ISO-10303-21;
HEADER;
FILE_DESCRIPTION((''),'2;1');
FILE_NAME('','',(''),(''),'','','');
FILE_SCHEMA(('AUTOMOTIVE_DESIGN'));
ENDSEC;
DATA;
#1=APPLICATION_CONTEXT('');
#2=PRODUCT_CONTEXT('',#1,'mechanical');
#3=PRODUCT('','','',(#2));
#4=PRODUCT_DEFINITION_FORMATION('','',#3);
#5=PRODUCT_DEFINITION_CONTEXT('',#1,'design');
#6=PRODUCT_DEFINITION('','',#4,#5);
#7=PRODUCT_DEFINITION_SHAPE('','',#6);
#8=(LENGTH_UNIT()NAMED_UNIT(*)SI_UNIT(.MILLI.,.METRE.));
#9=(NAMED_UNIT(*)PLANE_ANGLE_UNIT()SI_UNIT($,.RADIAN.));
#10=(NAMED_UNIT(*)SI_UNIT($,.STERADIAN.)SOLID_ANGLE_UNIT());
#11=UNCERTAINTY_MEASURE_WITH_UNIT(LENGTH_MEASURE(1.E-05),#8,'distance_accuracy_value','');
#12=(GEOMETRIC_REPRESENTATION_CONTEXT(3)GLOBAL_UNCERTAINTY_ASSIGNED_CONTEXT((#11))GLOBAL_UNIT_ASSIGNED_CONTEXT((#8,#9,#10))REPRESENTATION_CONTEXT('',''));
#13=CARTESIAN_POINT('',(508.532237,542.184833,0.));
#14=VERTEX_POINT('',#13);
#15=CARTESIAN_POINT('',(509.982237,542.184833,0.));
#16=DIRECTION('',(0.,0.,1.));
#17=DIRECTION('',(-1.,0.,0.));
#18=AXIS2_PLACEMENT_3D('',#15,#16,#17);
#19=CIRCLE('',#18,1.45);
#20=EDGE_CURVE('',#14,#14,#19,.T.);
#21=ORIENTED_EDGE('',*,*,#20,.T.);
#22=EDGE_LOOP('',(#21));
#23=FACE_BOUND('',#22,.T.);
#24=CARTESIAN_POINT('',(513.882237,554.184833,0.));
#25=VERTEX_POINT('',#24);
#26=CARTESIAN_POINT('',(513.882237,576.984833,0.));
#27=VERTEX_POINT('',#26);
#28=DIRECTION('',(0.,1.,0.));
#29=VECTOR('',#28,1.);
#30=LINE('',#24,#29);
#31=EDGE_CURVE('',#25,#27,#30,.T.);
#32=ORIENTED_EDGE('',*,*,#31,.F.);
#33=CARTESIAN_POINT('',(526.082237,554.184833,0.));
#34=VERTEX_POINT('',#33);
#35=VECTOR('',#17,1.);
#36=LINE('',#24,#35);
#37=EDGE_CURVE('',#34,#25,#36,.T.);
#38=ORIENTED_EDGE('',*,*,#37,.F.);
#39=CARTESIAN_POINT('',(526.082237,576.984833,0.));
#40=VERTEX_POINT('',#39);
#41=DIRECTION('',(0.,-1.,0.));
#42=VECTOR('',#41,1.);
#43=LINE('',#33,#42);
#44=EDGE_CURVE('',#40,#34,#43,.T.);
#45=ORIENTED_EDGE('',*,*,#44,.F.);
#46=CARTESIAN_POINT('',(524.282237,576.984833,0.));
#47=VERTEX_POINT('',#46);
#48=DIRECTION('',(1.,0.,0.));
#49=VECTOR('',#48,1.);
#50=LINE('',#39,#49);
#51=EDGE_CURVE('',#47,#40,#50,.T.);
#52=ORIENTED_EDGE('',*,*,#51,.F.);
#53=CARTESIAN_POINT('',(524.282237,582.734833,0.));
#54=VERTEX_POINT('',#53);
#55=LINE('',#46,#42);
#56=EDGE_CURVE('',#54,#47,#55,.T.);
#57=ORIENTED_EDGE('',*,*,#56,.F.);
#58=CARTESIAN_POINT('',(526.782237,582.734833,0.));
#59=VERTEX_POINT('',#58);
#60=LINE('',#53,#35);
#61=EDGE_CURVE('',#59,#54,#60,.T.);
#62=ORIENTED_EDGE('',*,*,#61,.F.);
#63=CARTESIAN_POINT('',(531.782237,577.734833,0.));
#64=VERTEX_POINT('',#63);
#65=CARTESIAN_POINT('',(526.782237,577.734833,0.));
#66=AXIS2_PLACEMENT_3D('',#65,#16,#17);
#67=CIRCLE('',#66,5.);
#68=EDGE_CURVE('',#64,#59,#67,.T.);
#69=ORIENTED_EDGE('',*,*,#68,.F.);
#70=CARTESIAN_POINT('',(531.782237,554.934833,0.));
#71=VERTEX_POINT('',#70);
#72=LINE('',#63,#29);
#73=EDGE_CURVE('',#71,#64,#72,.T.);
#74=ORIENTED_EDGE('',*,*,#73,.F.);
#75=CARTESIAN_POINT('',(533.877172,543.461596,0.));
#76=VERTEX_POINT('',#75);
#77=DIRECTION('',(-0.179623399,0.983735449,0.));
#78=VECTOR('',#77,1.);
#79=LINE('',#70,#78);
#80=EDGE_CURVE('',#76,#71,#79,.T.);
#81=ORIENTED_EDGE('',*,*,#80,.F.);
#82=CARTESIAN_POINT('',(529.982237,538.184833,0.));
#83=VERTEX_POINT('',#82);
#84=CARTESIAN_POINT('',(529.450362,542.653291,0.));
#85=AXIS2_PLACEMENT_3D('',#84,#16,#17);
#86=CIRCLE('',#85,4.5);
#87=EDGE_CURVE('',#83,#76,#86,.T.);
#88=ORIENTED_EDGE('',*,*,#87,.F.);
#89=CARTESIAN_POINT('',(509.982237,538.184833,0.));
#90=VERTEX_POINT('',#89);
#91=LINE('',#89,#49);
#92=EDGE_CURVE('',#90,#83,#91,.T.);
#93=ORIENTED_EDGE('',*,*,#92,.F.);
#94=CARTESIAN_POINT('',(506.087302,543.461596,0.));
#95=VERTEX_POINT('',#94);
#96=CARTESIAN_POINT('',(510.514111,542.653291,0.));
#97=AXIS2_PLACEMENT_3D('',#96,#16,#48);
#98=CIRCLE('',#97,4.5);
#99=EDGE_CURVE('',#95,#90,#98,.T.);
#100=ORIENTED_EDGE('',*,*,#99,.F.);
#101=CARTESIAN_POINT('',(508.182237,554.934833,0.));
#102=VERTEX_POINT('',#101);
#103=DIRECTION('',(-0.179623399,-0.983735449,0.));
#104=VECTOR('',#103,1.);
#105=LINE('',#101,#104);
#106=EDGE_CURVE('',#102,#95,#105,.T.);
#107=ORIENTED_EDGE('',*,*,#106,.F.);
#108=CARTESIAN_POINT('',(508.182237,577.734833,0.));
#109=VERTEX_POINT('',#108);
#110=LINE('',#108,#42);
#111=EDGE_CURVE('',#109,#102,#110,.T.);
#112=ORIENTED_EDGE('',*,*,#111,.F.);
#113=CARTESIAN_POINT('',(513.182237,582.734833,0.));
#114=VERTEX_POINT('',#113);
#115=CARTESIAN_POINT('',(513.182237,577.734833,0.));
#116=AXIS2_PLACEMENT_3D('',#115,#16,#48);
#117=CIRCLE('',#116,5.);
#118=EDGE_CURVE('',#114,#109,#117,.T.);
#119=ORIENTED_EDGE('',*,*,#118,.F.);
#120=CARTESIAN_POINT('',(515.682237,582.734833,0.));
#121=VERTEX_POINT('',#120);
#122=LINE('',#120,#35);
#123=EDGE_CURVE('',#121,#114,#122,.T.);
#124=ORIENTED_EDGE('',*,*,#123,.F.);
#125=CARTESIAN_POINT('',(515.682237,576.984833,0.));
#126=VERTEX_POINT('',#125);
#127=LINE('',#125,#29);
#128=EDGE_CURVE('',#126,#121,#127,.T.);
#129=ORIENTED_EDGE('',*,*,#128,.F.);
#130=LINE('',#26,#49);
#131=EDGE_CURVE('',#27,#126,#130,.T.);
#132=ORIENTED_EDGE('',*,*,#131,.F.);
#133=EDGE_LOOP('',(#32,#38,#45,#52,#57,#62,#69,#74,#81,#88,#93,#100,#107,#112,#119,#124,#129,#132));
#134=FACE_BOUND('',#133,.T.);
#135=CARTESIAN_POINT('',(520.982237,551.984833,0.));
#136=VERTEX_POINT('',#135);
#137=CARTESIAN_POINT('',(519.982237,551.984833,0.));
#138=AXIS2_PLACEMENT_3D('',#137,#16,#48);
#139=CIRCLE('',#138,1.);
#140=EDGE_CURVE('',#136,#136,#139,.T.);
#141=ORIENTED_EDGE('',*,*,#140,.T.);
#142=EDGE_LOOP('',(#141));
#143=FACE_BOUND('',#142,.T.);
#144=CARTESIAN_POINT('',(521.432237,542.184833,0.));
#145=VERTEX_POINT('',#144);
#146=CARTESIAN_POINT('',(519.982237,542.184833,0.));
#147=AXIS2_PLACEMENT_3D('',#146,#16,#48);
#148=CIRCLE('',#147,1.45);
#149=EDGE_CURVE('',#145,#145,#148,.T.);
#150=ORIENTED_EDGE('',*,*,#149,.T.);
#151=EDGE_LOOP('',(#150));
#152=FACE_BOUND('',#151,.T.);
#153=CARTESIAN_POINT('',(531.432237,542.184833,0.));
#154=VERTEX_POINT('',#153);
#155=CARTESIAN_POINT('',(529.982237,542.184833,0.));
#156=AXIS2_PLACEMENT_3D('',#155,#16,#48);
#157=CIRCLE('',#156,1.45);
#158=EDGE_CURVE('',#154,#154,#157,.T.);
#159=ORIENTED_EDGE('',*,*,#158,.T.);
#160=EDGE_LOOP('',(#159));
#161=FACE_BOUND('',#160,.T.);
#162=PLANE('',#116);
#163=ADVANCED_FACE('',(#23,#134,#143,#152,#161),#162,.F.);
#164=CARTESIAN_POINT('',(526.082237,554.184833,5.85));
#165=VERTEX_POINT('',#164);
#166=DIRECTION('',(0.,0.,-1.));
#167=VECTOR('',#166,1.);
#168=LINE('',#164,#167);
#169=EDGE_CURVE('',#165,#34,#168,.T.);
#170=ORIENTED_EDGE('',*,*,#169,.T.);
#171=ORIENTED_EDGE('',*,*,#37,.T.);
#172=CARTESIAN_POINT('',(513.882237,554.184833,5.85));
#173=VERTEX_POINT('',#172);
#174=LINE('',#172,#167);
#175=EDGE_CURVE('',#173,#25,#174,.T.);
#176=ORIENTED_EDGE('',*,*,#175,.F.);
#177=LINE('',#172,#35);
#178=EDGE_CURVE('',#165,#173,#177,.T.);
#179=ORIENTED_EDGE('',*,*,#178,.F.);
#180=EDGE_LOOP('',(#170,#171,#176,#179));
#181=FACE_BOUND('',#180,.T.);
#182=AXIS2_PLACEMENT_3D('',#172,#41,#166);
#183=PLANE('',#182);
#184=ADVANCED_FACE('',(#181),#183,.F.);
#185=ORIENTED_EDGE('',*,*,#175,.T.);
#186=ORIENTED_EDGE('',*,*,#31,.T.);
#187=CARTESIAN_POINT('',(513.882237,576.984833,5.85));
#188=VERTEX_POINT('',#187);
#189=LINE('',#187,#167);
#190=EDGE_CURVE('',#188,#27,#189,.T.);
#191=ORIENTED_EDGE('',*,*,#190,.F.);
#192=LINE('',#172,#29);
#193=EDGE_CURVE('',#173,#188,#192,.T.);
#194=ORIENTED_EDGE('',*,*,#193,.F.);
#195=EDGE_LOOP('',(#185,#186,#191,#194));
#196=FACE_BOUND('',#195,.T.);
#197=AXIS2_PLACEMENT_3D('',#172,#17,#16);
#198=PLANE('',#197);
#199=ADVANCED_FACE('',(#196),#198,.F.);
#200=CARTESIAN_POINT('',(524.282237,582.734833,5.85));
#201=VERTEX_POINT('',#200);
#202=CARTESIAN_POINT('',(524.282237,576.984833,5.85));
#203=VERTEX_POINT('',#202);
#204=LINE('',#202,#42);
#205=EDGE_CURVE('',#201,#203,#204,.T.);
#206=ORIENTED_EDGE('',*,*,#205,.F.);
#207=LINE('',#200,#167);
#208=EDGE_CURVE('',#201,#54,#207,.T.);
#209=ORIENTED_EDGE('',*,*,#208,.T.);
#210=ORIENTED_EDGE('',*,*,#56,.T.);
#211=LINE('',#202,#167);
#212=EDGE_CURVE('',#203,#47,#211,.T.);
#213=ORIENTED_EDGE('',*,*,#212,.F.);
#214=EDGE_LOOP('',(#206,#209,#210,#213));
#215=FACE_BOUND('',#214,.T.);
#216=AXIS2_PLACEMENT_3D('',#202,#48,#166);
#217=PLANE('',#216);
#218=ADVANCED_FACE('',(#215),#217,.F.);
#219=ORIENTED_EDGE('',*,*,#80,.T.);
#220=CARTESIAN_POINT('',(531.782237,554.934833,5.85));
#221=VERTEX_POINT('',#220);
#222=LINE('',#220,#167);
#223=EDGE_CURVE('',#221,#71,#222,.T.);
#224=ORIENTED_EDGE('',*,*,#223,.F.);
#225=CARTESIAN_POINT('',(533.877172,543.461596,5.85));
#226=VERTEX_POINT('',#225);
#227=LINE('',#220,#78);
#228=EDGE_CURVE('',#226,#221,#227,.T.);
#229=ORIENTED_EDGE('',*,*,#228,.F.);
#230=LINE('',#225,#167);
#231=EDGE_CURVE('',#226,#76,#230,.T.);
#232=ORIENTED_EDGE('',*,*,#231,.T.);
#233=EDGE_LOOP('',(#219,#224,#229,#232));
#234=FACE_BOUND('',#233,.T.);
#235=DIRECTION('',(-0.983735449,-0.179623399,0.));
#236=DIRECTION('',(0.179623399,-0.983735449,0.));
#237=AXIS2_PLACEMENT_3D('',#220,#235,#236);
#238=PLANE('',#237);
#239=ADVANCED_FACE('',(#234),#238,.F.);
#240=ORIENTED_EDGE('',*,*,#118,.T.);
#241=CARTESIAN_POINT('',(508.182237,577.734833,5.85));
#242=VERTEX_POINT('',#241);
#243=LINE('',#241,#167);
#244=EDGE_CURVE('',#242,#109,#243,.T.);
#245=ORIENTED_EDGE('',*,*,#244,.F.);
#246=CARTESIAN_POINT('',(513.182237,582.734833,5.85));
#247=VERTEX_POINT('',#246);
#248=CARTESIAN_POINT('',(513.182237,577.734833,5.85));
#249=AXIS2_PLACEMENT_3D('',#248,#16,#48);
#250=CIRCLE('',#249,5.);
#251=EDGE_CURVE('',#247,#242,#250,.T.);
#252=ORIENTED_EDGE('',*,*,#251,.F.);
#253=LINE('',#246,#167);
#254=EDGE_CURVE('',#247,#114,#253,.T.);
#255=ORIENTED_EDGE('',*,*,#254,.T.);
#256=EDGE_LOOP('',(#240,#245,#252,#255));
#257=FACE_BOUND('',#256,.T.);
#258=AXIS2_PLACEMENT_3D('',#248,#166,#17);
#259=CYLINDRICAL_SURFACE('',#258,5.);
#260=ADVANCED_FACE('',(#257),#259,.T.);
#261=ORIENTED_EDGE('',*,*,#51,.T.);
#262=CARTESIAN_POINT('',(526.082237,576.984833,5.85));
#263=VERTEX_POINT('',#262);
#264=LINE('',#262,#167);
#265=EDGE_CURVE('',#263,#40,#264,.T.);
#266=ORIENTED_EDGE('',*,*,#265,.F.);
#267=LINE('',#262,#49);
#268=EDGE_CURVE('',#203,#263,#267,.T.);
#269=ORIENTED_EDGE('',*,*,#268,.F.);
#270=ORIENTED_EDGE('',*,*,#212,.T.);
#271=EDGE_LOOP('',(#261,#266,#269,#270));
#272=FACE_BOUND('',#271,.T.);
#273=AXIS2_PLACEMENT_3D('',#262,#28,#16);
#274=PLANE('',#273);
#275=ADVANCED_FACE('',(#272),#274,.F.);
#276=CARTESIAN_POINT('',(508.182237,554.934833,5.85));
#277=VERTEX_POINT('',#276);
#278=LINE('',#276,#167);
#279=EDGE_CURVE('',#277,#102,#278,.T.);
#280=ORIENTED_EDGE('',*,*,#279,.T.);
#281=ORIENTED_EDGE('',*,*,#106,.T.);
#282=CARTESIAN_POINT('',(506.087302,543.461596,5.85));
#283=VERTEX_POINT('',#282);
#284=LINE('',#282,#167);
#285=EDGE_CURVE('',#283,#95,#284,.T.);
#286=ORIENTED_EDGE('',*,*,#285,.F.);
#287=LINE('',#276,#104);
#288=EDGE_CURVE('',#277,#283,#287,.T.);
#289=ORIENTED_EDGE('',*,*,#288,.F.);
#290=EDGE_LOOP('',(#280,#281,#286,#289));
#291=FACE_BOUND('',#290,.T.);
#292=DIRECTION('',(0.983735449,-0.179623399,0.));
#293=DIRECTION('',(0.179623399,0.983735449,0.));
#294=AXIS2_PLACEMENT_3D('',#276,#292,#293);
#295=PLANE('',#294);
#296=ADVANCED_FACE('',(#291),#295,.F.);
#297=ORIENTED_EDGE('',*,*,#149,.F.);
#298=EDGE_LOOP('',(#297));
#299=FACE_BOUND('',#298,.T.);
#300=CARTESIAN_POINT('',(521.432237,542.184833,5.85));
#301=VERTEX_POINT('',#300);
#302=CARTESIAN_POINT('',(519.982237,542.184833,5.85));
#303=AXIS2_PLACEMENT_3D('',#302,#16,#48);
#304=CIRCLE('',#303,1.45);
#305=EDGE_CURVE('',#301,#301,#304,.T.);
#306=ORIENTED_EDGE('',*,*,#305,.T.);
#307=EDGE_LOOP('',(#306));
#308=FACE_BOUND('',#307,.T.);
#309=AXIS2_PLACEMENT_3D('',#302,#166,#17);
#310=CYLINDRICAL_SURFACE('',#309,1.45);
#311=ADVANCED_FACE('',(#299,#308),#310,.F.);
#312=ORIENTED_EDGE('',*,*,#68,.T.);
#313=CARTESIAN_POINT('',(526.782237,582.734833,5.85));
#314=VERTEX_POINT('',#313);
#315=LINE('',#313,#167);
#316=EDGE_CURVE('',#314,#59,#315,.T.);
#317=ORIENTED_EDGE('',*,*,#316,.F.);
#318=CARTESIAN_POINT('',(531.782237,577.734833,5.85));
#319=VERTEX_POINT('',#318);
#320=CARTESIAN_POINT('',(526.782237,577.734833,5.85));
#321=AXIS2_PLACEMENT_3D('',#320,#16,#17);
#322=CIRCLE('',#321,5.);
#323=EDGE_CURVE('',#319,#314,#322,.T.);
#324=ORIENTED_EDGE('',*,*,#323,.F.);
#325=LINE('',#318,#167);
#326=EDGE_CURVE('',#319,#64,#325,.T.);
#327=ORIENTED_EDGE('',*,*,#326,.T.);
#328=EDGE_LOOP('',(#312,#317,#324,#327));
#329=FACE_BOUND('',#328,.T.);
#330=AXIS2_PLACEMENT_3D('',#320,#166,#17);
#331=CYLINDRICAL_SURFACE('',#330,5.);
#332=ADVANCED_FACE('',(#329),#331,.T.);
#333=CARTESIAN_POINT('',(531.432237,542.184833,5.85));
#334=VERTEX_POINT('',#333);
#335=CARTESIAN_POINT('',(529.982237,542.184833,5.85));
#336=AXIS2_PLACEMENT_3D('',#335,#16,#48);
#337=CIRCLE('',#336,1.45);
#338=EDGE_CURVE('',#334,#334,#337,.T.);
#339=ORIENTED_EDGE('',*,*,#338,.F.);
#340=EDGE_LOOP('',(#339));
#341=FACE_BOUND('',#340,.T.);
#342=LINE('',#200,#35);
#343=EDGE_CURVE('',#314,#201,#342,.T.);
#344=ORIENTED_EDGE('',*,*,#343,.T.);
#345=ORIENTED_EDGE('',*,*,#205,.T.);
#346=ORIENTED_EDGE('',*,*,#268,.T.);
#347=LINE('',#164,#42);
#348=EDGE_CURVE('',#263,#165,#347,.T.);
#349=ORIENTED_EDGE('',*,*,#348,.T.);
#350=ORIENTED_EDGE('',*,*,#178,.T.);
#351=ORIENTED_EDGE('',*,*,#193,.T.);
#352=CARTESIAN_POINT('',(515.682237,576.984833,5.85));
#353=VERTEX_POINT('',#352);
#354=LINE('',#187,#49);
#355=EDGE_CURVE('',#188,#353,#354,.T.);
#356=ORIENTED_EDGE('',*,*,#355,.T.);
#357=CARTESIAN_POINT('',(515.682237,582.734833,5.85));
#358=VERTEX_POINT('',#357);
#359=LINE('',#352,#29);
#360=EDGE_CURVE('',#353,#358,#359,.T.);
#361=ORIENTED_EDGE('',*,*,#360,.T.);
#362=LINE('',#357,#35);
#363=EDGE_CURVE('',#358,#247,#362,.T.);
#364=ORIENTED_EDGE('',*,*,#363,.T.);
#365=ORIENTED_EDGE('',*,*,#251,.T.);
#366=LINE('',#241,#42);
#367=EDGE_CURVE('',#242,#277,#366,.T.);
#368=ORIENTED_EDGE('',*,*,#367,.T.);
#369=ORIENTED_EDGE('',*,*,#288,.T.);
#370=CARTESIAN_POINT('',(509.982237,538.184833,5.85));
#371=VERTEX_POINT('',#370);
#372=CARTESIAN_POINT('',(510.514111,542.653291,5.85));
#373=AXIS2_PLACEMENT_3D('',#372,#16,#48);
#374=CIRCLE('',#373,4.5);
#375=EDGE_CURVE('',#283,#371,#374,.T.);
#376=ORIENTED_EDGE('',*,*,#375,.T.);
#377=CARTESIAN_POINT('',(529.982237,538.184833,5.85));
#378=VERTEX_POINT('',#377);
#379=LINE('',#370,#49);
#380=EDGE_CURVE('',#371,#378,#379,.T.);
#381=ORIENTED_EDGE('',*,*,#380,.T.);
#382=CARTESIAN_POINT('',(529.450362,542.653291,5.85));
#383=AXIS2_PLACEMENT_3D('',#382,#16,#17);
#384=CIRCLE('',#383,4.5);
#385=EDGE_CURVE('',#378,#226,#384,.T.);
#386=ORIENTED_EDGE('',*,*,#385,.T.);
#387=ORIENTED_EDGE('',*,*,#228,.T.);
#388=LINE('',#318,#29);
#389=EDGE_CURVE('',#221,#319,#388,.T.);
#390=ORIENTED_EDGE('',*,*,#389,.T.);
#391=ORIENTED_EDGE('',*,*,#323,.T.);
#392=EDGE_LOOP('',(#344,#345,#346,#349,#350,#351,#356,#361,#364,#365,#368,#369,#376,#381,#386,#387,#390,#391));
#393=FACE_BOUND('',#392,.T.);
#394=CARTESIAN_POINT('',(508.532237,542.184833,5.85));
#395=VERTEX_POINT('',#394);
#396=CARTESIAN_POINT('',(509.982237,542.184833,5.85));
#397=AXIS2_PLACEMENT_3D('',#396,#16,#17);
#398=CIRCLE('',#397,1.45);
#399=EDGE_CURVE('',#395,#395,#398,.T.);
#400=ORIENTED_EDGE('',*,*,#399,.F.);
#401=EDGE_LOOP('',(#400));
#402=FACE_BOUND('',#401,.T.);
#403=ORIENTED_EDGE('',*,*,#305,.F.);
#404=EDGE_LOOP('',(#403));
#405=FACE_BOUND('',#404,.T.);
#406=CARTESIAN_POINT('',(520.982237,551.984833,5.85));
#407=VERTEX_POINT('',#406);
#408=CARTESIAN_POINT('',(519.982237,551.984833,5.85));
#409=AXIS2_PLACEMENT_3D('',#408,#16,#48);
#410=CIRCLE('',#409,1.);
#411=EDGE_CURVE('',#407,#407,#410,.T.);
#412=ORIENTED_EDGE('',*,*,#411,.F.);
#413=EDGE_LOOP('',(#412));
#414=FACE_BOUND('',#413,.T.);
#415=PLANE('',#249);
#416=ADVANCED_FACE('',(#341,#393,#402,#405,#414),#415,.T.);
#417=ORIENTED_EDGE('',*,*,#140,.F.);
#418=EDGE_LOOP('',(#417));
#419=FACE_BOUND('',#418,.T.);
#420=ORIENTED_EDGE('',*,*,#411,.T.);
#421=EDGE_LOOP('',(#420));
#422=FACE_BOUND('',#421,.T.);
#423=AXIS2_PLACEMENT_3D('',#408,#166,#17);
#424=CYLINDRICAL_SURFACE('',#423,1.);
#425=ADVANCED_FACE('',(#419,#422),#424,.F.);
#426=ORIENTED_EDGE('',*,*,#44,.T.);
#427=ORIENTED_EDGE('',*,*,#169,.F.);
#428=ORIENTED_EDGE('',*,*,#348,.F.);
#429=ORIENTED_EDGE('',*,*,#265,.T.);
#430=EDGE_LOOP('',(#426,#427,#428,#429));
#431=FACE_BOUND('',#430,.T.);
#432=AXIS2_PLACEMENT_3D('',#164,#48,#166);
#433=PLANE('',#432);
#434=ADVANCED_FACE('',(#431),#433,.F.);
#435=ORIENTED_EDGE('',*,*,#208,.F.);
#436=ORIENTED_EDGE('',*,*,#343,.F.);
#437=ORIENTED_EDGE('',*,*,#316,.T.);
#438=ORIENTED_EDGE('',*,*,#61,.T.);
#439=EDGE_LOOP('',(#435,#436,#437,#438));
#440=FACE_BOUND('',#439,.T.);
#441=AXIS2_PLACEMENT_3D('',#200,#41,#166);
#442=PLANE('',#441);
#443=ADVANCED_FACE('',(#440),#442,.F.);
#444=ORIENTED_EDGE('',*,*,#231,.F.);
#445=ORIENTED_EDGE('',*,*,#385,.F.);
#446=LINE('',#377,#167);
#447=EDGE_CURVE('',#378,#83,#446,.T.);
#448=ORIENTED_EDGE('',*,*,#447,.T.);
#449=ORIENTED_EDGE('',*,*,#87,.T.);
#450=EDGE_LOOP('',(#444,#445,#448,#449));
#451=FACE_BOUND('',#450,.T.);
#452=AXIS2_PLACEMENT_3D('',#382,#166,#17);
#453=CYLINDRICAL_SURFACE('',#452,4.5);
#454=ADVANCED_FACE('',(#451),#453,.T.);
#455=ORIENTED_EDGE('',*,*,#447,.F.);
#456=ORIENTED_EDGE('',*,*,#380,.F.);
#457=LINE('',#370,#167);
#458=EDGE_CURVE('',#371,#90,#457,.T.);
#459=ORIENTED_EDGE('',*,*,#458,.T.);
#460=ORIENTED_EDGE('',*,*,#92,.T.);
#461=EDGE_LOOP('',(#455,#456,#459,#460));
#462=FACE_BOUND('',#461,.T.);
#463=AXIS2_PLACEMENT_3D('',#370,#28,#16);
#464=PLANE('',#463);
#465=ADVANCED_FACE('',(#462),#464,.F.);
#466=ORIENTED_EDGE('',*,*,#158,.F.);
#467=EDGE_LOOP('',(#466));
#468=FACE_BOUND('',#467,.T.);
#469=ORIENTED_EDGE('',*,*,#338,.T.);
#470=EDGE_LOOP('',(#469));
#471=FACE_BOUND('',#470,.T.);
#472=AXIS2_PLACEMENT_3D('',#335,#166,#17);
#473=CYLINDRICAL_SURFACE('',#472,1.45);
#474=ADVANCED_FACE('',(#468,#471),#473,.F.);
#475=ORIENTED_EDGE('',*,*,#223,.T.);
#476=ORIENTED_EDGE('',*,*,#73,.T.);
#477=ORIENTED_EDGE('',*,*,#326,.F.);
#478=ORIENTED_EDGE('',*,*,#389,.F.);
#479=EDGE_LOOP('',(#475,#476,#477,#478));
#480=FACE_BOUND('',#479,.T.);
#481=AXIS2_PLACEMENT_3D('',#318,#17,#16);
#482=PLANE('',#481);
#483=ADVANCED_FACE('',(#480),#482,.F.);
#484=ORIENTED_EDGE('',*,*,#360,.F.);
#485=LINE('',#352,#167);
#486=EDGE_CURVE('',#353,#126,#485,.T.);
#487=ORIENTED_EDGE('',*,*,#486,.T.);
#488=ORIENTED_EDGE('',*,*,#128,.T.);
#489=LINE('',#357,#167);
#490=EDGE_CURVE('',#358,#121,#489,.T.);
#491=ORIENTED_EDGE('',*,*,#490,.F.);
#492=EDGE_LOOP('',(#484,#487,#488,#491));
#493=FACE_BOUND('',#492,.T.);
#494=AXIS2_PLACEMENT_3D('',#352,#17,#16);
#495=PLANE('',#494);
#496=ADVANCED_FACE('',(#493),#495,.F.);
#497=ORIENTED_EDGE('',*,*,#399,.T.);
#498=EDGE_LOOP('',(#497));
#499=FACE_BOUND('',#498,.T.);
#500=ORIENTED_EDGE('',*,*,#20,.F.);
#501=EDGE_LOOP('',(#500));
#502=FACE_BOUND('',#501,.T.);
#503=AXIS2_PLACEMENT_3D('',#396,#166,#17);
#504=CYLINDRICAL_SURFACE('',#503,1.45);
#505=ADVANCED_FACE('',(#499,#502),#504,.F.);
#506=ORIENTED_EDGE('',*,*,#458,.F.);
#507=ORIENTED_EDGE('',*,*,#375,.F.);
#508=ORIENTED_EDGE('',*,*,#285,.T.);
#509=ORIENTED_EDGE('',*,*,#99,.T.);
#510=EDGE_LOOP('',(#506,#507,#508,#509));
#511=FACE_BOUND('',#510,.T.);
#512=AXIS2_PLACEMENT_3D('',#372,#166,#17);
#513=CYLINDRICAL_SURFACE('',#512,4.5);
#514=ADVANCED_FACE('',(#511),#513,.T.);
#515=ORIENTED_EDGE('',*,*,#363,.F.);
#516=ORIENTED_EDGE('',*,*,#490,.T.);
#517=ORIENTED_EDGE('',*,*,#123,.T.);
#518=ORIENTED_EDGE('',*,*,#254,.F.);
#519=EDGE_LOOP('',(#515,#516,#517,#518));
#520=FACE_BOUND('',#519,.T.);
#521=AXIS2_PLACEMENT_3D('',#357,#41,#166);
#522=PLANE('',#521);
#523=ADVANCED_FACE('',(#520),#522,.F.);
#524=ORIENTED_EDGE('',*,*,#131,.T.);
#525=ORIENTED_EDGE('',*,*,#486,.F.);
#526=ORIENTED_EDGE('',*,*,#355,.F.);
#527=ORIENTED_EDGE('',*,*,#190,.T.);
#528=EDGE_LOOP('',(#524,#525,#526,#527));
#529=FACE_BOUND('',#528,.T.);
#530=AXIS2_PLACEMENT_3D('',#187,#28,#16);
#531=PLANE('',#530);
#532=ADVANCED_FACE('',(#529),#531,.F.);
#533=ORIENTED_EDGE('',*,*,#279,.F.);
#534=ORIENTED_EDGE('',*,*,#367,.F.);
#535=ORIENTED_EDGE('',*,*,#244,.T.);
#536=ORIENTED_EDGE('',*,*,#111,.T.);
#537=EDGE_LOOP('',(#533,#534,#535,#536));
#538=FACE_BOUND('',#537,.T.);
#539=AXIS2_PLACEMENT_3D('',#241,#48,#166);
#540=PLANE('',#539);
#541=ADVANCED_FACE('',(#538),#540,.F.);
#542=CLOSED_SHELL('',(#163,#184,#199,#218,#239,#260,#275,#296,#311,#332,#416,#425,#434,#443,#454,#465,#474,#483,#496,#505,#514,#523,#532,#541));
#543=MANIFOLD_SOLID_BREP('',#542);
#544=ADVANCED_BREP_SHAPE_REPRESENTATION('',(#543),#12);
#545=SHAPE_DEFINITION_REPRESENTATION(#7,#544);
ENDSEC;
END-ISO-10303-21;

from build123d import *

# Parameters (mm, degrees)
MODEL_R             = 1.45
MODEL_R_2           = 1
BOSS_EXTRUDE1_DEPTH = 5.85


with BuildPart() as part:
    # Model → Boss-Extrude1 (new body)
    with BuildSketch(Plane.XY):
        with BuildLine():
            Line((508.182236888, 554.934833401), (506.087301785, 543.461595882))
            ThreePointArc((506.087301785, 543.461595882), (506.893587564, 539.980874482), (509.982236888, 538.184833401))
            Line((509.982236888, 538.184833401), (529.982236888, 538.184833401))
            ThreePointArc((529.982236888, 538.184833401), (533.070886212, 539.980874482), (533.877171991, 543.461595882))
            Line((533.877171991, 543.461595882), (531.782236888, 554.934833401))
            Line((531.782236888, 554.934833401), (531.782236888, 577.734833401))
            ThreePointArc((531.782236888, 577.734833401), (530.317770794, 581.270367307), (526.782236888, 582.734833401))
            Line((526.782236888, 582.734833401), (524.282236888, 582.734833401))
            Line((524.282236888, 582.734833401), (524.282236888, 576.984833401))
            Line((524.282236888, 576.984833401), (526.082236888, 576.984833401))
            Line((526.082236888, 576.984833401), (526.082236888, 554.184833401))
            Line((526.082236888, 554.184833401), (513.882236888, 554.184833401))
            Line((513.882236888, 554.184833401), (513.882236888, 576.984833401))
            Line((513.882236888, 576.984833401), (515.682236888, 576.984833401))
            Line((515.682236888, 576.984833401), (515.682236888, 582.734833401))
            Line((515.682236888, 582.734833401), (513.182236888, 582.734833401))
            ThreePointArc((513.182236888, 582.734833401), (509.646702982, 581.270367307), (508.182236888, 577.734833401))
            Line((508.182236888, 577.734833401), (508.182236888, 554.934833401))
        make_face()
        with Locations(Location((509.982236888, 542.184833401, 0), (0, 0, 180))):
            Circle(MODEL_R, mode=Mode.SUBTRACT)
        with Locations((519.982236888, 542.184833401)):
            Circle(MODEL_R, mode=Mode.SUBTRACT)
        with Locations((529.982236888, 542.184833401)):
            Circle(MODEL_R, mode=Mode.SUBTRACT)
        with Locations((519.982236888, 551.984833401)):
            Circle(MODEL_R_2, mode=Mode.SUBTRACT)
    extrude(amount=BOSS_EXTRUDE1_DEPTH)


solid = part.part
